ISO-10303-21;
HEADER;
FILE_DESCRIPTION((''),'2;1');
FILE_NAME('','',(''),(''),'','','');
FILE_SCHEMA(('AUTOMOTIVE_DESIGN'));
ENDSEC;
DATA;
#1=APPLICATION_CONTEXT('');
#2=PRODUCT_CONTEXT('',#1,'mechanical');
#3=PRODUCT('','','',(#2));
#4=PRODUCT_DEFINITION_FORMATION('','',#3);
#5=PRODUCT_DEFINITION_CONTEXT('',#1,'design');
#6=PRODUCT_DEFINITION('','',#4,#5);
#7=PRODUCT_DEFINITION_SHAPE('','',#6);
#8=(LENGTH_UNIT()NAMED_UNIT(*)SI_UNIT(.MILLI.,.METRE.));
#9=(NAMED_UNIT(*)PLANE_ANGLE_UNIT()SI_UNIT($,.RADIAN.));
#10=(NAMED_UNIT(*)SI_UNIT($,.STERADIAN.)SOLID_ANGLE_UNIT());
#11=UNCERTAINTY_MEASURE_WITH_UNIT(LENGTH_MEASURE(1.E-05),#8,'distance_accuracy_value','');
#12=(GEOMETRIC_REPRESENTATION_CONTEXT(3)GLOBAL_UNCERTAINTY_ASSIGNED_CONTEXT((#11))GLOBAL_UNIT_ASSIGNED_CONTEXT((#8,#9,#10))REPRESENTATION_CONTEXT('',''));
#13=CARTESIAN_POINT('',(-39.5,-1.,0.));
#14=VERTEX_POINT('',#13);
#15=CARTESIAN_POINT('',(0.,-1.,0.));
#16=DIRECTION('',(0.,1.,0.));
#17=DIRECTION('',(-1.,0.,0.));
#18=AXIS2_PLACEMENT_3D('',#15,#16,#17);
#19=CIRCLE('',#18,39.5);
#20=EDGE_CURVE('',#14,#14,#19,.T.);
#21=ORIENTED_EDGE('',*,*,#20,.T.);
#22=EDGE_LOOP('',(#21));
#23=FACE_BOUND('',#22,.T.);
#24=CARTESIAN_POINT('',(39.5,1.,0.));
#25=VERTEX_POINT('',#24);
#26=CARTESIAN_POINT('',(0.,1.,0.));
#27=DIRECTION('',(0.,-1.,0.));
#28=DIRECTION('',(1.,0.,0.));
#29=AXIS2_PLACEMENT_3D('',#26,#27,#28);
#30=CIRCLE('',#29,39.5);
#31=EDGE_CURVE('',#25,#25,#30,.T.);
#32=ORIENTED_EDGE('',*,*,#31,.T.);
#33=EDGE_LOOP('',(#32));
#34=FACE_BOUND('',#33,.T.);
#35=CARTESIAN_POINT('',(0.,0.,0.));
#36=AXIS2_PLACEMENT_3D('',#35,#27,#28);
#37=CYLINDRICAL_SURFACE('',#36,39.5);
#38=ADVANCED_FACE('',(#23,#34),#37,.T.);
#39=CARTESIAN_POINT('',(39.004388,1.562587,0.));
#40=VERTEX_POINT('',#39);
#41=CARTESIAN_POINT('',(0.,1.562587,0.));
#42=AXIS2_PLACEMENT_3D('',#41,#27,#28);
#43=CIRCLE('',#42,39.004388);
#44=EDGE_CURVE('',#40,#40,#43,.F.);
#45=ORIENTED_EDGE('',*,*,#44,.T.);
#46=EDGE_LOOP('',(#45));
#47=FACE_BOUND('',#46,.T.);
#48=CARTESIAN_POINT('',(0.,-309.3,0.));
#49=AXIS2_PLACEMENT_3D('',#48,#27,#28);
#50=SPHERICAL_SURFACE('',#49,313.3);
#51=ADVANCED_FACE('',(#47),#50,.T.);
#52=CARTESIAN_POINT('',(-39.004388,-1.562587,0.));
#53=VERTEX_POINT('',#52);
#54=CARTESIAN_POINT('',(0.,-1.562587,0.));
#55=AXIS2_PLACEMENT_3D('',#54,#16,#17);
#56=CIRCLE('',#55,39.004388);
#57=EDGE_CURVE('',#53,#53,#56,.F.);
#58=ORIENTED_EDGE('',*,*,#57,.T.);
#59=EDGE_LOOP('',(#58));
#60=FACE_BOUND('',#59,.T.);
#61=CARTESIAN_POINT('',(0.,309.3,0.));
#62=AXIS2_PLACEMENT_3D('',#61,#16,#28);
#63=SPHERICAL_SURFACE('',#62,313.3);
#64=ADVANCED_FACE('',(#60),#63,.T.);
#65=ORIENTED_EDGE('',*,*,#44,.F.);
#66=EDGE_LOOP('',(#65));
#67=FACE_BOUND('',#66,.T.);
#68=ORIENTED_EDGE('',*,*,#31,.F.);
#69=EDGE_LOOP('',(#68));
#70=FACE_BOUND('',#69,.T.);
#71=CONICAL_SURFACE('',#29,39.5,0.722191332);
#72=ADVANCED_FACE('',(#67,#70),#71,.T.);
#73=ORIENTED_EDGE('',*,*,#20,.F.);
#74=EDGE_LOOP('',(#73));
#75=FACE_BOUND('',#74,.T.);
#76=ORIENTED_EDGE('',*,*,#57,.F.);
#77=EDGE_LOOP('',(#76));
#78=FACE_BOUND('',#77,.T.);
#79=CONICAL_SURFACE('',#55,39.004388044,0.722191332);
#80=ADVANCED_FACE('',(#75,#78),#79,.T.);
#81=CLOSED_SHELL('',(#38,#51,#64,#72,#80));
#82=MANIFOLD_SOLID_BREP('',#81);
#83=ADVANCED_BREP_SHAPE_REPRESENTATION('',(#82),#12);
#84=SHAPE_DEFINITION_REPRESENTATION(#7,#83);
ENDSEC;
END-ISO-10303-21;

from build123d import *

# Parameters (mm, degrees)
CHANFREIN1_SIZE              = 0.5
CHANFREIN1_OF_SYM_TRIE1_SIZE = 0.5


with BuildPart() as part:
    # Esquisse1 → Révolution1 (revolve)
    with BuildSketch(Plane.XY, mode=Mode.PRIVATE) as r_volution1_sk:
        with BuildLine():
            Line((0, 0), (0, 4))
            ThreePointArc((0, 4), (-19.789517427, 3.374375349), (-39.5, 1.5))
            Line((-39.5, 1.5), (-39.5, 0))
            Line((-39.5, 0), (0, 0))
        make_face()
    r_volution1 = revolve(r_volution1_sk.sketch.rotate(Axis((0, 0, 0), (0, 1, 0)), 180), axis=Axis((0, 0, 0), (0, 1, 0)))

    # Chanfrein1
    chanfrein1_edges = [part.edges().sort_by_distance(p)[0] for p in [
        (-39.5, 1.5, 0),
    ]]
    chamfer(chanfrein1_edges, length=CHANFREIN1_SIZE)

    # Symétrie1: Révolution1 across plane
    add(r_volution1.mirror(Plane(origin=(-39.5, 0, 0), x_dir=(0, 0, 1), z_dir=(0, 1, 0))))

    # Chanfrein1 of Symétrie1
    chanfrein1_of_sym_trie1_edges = [part.edges().sort_by_distance(p)[0] for p in [
        (-39.5, -1.5, 0),
    ]]
    chamfer(chanfrein1_of_sym_trie1_edges, length=CHANFREIN1_OF_SYM_TRIE1_SIZE)


solid = part.part
